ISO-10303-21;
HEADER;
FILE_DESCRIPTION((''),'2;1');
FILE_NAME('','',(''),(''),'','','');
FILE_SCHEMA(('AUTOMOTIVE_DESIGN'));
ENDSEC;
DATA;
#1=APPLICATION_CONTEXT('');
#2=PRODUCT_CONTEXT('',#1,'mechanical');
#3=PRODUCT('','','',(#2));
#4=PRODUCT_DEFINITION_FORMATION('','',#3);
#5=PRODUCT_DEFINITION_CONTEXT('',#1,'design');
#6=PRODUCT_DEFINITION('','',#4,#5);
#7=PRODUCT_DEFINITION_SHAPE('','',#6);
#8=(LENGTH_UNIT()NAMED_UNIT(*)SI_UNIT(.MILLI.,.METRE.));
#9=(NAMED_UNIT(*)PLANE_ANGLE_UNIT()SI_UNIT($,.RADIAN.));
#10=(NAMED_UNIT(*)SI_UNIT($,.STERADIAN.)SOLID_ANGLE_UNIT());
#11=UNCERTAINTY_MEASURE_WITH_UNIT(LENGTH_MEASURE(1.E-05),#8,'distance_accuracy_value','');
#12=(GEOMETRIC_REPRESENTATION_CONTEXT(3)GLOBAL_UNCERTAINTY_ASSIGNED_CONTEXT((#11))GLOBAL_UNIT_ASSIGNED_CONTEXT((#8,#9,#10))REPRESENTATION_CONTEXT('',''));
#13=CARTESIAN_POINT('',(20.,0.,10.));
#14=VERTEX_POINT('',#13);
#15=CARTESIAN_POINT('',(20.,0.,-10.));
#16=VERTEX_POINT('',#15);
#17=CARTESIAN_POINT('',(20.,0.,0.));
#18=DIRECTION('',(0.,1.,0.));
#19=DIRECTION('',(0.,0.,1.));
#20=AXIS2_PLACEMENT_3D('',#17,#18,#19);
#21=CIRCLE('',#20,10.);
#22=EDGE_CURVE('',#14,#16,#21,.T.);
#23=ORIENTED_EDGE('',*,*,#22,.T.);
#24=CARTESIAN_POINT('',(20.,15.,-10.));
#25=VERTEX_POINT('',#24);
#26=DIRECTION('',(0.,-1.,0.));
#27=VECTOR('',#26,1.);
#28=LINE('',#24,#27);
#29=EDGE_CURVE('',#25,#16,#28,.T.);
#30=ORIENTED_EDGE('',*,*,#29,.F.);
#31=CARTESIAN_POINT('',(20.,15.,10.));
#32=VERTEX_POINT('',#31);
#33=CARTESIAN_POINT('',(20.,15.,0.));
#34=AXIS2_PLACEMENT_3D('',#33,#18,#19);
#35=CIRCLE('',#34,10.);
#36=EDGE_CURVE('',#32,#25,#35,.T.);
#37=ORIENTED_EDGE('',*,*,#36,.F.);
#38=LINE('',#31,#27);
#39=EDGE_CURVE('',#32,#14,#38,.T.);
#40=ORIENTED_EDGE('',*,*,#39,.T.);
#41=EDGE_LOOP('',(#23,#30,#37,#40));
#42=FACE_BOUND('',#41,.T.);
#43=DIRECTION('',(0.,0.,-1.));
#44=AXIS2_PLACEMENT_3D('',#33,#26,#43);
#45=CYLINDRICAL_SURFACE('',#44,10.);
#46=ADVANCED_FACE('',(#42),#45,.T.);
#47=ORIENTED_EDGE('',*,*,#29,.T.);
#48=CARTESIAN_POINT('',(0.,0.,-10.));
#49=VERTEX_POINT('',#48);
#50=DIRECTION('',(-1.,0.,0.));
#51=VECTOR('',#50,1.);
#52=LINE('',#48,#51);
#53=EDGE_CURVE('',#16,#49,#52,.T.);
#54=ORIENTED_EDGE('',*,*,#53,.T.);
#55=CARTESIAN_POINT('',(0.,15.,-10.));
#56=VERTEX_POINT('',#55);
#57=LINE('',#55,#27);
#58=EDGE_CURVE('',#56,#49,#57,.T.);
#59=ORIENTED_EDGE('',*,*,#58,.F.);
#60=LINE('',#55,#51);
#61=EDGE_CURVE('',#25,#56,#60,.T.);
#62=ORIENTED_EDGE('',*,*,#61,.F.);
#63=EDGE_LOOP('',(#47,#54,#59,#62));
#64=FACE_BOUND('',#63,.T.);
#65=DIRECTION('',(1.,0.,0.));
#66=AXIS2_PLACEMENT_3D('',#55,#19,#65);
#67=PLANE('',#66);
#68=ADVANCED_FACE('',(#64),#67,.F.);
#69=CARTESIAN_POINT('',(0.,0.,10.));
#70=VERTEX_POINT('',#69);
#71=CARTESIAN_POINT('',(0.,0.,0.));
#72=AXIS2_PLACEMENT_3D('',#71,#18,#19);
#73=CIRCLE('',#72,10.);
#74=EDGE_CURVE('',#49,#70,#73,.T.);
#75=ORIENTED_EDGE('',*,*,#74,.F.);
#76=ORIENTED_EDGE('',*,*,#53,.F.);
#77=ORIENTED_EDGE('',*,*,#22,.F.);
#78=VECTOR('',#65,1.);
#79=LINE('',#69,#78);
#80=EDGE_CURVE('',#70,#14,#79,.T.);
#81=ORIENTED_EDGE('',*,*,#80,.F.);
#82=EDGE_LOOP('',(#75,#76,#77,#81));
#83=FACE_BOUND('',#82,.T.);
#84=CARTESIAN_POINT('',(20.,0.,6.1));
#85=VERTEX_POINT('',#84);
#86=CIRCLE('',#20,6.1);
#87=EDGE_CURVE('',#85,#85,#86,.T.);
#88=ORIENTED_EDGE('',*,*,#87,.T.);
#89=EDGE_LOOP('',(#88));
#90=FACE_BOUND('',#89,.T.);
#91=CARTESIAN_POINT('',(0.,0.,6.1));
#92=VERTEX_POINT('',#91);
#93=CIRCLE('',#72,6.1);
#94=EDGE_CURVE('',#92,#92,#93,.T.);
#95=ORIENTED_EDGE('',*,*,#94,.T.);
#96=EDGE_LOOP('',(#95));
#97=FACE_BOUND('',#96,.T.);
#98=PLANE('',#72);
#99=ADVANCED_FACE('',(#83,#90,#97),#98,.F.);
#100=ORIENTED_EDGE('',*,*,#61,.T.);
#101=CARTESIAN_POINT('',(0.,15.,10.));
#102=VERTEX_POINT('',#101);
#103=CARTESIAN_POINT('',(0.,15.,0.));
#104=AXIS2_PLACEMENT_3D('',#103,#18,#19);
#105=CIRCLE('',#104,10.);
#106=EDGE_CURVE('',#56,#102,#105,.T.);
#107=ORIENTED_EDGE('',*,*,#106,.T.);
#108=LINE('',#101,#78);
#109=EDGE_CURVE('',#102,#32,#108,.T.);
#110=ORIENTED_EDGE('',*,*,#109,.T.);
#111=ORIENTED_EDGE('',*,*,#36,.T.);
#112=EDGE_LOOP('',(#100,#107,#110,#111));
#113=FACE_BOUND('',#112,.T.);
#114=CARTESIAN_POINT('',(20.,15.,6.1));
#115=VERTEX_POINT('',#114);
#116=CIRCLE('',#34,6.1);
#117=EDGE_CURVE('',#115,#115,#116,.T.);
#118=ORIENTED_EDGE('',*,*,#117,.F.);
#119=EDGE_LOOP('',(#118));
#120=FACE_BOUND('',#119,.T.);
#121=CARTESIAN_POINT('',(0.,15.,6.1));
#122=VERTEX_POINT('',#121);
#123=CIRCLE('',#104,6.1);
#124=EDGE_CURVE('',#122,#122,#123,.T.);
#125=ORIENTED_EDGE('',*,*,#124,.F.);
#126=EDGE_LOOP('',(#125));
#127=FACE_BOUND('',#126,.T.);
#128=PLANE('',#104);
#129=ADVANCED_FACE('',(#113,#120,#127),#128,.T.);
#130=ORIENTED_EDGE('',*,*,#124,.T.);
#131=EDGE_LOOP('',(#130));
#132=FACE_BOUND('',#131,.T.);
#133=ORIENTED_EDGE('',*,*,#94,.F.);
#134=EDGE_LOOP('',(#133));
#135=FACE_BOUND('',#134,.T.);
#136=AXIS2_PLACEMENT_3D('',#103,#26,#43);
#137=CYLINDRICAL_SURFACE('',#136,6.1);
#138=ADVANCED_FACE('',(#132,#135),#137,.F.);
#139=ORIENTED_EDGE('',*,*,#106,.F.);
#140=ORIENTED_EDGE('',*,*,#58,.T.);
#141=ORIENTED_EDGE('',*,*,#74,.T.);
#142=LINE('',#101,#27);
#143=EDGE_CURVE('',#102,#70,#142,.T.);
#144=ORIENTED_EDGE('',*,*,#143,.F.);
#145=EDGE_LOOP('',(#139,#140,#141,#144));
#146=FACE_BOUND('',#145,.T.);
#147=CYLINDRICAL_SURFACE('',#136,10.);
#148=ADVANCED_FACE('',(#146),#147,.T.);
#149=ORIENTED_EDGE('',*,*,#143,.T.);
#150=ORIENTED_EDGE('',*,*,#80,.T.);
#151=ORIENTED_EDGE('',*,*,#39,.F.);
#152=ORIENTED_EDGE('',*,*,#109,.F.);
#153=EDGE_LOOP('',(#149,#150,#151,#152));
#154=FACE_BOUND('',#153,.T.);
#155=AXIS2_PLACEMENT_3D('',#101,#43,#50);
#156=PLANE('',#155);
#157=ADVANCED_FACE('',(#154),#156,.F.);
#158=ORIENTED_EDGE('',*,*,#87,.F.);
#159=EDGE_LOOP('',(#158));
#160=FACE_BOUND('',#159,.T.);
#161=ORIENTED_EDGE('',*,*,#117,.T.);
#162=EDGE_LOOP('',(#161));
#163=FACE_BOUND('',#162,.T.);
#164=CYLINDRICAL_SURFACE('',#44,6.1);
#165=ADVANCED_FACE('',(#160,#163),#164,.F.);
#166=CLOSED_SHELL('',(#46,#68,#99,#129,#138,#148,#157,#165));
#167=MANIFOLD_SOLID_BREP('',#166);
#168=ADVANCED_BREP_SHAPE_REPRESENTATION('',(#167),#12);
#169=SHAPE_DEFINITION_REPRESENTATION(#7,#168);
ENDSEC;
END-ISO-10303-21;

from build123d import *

# Parameters (mm, degrees)
SKETCH1_R           = 6.1
BOSS_EXTRUDE1_DEPTH = 15


with BuildPart() as part:
    # Sketch1 → Boss-Extrude1 (new body)
    with BuildSketch(Plane(origin=(0, 0, 0), x_dir=(1, 0, 0), z_dir=(0, 1, 0))):
        with BuildLine():
            Line((0, 10), (20, 10))
            ThreePointArc((20, 10), (30, 0), (20, -10))
            Line((20, -10), (0, -10))
            ThreePointArc((0, -10), (-10, 0), (0, 10))
        make_face()
        with Locations(Location((0, 0, 0), (0, 0, 270))):
            Circle(SKETCH1_R, mode=Mode.SUBTRACT)
        with Locations(Location((20, 0, 0), (0, 0, 270))):
            Circle(SKETCH1_R, mode=Mode.SUBTRACT)
    extrude(amount=BOSS_EXTRUDE1_DEPTH)


solid = part.part
